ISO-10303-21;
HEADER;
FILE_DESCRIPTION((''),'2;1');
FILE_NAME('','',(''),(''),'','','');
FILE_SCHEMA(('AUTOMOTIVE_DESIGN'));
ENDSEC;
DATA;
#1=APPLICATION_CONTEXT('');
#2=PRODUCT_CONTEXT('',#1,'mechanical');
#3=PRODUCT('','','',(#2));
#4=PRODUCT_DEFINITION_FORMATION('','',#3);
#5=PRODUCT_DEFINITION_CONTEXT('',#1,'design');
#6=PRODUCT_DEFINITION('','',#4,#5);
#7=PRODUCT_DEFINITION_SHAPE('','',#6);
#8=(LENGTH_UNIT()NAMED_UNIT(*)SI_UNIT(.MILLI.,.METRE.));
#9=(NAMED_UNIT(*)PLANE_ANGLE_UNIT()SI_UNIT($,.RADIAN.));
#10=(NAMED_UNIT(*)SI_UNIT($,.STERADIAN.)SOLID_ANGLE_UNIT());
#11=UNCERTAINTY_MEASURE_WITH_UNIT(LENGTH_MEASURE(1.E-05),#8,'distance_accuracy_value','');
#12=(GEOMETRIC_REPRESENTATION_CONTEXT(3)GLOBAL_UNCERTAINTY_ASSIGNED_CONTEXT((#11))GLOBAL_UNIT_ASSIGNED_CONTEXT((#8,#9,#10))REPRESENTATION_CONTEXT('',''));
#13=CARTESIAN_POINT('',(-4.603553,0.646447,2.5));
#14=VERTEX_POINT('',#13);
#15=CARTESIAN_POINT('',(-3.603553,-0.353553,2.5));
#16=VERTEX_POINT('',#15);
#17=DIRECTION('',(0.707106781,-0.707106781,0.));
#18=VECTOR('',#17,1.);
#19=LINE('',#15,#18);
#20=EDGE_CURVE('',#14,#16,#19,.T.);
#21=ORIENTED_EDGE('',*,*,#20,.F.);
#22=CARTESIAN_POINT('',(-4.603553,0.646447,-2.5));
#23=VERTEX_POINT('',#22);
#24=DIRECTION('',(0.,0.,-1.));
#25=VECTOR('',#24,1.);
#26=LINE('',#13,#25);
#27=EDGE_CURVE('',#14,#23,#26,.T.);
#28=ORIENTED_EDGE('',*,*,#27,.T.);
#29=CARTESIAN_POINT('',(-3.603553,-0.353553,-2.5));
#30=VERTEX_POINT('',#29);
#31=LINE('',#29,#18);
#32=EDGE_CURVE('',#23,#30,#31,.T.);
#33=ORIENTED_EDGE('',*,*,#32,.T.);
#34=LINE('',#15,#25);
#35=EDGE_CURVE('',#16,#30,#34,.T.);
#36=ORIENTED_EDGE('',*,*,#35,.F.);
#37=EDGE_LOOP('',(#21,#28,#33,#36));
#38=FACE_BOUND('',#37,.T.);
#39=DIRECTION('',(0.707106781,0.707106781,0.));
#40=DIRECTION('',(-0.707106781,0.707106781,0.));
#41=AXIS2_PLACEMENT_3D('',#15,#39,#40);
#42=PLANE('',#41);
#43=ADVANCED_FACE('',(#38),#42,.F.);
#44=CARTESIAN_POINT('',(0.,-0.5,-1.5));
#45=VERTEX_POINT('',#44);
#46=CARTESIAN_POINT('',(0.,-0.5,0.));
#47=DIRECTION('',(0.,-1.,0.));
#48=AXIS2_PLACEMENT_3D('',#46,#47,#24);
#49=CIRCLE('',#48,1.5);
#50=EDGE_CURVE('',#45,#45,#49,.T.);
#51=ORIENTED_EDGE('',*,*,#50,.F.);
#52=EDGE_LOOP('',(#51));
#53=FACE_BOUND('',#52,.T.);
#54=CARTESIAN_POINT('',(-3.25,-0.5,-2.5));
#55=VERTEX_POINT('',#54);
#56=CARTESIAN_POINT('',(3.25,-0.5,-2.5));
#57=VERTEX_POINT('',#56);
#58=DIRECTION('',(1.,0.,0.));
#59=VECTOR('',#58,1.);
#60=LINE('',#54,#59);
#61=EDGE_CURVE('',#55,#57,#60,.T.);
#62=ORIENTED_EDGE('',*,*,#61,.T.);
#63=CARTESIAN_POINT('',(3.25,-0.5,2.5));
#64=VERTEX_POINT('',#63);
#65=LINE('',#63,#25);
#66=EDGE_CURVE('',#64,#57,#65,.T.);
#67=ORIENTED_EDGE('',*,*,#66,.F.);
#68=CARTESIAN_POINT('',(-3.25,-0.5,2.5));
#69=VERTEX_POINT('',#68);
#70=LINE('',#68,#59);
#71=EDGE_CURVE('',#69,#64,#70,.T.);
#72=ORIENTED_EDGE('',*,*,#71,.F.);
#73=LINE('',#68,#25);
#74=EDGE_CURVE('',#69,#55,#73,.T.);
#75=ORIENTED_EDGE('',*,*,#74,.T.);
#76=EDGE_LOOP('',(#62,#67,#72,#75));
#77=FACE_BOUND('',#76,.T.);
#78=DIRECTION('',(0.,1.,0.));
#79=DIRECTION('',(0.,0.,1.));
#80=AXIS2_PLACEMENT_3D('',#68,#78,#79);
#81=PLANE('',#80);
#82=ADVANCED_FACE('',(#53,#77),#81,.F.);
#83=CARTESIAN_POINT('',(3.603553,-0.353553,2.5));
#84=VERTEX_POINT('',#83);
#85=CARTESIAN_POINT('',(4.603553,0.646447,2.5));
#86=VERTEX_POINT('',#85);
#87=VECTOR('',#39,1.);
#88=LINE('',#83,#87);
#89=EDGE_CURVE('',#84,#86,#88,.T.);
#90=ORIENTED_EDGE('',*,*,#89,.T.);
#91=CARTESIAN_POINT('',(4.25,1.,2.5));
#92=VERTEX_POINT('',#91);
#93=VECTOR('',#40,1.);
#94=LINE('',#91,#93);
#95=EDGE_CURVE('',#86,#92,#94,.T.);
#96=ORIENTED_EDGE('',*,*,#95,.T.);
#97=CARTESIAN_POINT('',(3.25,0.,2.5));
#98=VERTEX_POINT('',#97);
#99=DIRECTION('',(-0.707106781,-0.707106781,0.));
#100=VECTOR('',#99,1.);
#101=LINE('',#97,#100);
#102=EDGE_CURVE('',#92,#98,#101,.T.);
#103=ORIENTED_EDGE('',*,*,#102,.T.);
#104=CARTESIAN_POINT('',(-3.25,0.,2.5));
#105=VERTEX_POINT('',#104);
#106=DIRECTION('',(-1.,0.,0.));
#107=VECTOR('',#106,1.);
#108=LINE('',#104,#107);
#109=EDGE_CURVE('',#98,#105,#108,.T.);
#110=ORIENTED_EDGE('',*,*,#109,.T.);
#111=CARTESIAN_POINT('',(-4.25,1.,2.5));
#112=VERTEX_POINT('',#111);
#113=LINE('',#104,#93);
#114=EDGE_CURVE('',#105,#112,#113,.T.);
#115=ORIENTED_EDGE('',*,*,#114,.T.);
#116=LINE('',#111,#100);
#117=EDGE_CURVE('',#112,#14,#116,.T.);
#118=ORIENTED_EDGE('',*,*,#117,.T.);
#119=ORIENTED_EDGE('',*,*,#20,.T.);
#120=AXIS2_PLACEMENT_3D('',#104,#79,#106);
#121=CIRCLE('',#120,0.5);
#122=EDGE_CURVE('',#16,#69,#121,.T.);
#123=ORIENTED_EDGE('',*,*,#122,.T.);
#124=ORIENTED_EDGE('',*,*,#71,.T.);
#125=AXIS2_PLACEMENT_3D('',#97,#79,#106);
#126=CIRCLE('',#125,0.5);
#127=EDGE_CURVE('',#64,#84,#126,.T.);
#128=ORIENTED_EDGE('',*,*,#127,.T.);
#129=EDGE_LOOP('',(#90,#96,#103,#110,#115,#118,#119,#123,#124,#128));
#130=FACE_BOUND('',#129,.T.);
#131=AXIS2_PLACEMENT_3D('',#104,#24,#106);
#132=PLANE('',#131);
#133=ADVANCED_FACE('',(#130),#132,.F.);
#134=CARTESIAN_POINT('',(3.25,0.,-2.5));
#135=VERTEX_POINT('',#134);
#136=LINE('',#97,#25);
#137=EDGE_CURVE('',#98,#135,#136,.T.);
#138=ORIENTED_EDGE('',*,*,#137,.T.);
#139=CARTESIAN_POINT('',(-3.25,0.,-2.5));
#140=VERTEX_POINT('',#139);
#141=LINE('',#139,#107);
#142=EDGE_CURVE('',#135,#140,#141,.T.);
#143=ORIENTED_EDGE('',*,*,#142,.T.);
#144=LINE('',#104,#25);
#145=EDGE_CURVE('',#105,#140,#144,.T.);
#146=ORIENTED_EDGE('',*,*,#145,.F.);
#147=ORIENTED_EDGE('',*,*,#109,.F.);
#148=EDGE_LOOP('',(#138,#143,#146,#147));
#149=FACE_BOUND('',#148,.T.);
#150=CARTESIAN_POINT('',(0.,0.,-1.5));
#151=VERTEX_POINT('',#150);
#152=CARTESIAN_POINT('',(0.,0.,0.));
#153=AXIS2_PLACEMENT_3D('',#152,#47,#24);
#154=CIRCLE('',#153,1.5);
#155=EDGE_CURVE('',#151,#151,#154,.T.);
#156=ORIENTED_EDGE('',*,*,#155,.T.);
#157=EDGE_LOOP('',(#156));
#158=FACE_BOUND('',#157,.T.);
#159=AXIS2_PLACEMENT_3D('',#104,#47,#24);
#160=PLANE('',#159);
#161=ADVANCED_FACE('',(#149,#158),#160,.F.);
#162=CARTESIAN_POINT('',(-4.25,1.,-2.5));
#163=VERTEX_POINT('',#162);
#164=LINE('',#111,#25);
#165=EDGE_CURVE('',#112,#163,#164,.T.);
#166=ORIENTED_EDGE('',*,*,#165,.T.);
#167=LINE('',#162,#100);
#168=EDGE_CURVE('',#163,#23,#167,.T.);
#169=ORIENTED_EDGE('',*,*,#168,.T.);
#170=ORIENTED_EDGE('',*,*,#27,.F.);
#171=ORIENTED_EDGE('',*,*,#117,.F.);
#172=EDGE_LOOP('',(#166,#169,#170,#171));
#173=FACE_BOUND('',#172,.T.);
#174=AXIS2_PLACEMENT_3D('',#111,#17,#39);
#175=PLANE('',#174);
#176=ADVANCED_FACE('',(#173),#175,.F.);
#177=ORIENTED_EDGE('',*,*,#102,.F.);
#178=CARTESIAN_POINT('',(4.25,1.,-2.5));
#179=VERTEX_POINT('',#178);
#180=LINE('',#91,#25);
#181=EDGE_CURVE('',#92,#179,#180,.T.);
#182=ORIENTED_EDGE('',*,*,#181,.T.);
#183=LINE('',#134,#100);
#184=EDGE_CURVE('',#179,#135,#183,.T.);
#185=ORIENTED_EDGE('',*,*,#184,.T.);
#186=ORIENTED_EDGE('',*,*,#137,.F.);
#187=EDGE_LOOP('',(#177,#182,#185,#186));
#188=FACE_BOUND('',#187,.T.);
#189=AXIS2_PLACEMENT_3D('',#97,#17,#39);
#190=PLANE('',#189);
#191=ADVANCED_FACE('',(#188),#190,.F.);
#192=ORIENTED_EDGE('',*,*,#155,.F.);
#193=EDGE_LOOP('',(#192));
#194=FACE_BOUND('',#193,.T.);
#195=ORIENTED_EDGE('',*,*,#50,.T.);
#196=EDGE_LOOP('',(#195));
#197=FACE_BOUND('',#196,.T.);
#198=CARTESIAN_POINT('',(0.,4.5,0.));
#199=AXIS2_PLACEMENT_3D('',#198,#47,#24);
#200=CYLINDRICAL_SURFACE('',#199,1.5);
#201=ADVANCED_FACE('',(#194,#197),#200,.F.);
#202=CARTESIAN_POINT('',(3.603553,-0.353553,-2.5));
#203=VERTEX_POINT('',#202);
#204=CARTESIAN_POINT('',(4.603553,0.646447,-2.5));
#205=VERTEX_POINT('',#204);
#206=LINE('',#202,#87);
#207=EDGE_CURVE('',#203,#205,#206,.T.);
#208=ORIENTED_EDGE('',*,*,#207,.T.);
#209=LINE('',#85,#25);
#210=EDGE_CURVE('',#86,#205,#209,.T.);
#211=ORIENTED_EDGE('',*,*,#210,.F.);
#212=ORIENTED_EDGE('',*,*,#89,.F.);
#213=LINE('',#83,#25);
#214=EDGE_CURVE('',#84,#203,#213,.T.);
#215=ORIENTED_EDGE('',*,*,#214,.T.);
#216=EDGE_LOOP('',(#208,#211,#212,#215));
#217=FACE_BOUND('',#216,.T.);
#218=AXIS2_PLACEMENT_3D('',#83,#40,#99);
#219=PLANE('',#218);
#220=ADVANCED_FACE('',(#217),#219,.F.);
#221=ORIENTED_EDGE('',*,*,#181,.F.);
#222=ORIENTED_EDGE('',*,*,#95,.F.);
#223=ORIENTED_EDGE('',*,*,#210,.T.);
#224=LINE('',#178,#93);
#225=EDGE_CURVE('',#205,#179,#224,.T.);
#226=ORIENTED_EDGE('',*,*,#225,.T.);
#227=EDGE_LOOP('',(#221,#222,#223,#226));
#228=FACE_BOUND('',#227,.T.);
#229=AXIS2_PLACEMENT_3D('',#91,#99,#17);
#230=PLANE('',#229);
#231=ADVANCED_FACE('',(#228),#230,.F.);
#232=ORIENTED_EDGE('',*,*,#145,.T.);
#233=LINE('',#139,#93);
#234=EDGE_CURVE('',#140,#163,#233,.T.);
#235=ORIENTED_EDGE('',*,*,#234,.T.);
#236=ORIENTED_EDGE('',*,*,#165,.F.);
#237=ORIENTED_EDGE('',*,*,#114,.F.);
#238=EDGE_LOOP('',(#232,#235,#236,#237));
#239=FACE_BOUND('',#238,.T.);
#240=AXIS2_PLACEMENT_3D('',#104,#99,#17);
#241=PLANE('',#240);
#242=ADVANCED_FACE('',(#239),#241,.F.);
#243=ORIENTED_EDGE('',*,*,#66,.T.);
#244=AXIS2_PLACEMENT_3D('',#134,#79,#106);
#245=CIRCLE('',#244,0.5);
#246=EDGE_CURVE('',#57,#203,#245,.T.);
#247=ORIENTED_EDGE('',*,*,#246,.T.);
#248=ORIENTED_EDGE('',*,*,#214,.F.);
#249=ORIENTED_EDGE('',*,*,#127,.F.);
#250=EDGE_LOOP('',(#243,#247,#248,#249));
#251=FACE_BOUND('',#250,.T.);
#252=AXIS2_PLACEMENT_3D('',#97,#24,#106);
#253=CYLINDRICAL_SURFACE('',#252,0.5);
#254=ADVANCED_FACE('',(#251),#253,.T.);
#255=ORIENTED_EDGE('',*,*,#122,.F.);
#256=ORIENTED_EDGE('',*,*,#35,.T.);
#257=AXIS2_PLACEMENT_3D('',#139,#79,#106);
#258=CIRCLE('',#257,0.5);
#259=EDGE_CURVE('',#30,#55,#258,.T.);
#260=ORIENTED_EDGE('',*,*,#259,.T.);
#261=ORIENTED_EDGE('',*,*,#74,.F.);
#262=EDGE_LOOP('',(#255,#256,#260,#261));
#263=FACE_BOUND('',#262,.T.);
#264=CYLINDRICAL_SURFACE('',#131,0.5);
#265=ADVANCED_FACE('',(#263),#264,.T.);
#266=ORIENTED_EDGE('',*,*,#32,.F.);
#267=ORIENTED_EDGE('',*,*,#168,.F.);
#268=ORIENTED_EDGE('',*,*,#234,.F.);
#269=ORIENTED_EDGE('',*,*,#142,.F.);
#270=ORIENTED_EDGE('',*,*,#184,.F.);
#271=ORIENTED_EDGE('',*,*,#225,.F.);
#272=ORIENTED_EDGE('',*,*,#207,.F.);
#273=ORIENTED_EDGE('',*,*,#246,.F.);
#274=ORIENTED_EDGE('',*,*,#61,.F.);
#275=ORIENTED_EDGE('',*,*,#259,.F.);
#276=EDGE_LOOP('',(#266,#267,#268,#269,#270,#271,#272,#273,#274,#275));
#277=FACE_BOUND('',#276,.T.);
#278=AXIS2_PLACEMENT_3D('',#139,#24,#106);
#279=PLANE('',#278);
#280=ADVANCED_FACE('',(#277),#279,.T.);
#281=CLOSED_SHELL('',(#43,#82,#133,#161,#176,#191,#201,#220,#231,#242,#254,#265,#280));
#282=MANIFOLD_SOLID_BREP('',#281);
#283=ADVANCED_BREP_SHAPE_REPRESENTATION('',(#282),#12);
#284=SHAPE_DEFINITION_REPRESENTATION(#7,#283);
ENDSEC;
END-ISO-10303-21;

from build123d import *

# Parameters (mm, degrees)
BOSS_EXTRUDE1_DEPTH = 2.5
SKETCH2_R           = 1.5
CUT_EXTRUDE1_DEPTH  = 5


with BuildPart() as part:
    # Sketch1 → Boss-Extrude1 (new, symmetric)
    with BuildSketch(Plane.XY):
        with BuildLine():
            Line((-3.25, 0), (3.25, 0))
            Line((3.25, 0), (4.25, 1))
            Line((4.25, 1), (4.603553391, 0.646446609))
            Line((4.603553391, 0.646446609), (3.603553391, -0.353553391))
            ThreePointArc((3.603553391, -0.353553391), (3.441341716, -0.461939766), (3.25, -0.5))
            Line((3.25, -0.5), (-3.25, -0.5))
            ThreePointArc((-3.25, -0.5), (-3.441341716, -0.461939766), (-3.603553391, -0.353553391))
            Line((-3.603553391, -0.353553391), (-4.603553391, 0.646446609))
            Line((-4.603553391, 0.646446609), (-4.25, 1))
            Line((-4.25, 1), (-3.25, 0))
        make_face()
    extrude(amount=BOSS_EXTRUDE1_DEPTH, both=True)

    # Sketch2 → Cut-Extrude1 (cut)
    with BuildSketch(Plane.XZ.offset(0.5)):
        with Locations(Location((0, 0, 0), (0, 0, 270))):
            Circle(SKETCH2_R)
    extrude(amount=-CUT_EXTRUDE1_DEPTH, mode=Mode.SUBTRACT)


solid = part.part
